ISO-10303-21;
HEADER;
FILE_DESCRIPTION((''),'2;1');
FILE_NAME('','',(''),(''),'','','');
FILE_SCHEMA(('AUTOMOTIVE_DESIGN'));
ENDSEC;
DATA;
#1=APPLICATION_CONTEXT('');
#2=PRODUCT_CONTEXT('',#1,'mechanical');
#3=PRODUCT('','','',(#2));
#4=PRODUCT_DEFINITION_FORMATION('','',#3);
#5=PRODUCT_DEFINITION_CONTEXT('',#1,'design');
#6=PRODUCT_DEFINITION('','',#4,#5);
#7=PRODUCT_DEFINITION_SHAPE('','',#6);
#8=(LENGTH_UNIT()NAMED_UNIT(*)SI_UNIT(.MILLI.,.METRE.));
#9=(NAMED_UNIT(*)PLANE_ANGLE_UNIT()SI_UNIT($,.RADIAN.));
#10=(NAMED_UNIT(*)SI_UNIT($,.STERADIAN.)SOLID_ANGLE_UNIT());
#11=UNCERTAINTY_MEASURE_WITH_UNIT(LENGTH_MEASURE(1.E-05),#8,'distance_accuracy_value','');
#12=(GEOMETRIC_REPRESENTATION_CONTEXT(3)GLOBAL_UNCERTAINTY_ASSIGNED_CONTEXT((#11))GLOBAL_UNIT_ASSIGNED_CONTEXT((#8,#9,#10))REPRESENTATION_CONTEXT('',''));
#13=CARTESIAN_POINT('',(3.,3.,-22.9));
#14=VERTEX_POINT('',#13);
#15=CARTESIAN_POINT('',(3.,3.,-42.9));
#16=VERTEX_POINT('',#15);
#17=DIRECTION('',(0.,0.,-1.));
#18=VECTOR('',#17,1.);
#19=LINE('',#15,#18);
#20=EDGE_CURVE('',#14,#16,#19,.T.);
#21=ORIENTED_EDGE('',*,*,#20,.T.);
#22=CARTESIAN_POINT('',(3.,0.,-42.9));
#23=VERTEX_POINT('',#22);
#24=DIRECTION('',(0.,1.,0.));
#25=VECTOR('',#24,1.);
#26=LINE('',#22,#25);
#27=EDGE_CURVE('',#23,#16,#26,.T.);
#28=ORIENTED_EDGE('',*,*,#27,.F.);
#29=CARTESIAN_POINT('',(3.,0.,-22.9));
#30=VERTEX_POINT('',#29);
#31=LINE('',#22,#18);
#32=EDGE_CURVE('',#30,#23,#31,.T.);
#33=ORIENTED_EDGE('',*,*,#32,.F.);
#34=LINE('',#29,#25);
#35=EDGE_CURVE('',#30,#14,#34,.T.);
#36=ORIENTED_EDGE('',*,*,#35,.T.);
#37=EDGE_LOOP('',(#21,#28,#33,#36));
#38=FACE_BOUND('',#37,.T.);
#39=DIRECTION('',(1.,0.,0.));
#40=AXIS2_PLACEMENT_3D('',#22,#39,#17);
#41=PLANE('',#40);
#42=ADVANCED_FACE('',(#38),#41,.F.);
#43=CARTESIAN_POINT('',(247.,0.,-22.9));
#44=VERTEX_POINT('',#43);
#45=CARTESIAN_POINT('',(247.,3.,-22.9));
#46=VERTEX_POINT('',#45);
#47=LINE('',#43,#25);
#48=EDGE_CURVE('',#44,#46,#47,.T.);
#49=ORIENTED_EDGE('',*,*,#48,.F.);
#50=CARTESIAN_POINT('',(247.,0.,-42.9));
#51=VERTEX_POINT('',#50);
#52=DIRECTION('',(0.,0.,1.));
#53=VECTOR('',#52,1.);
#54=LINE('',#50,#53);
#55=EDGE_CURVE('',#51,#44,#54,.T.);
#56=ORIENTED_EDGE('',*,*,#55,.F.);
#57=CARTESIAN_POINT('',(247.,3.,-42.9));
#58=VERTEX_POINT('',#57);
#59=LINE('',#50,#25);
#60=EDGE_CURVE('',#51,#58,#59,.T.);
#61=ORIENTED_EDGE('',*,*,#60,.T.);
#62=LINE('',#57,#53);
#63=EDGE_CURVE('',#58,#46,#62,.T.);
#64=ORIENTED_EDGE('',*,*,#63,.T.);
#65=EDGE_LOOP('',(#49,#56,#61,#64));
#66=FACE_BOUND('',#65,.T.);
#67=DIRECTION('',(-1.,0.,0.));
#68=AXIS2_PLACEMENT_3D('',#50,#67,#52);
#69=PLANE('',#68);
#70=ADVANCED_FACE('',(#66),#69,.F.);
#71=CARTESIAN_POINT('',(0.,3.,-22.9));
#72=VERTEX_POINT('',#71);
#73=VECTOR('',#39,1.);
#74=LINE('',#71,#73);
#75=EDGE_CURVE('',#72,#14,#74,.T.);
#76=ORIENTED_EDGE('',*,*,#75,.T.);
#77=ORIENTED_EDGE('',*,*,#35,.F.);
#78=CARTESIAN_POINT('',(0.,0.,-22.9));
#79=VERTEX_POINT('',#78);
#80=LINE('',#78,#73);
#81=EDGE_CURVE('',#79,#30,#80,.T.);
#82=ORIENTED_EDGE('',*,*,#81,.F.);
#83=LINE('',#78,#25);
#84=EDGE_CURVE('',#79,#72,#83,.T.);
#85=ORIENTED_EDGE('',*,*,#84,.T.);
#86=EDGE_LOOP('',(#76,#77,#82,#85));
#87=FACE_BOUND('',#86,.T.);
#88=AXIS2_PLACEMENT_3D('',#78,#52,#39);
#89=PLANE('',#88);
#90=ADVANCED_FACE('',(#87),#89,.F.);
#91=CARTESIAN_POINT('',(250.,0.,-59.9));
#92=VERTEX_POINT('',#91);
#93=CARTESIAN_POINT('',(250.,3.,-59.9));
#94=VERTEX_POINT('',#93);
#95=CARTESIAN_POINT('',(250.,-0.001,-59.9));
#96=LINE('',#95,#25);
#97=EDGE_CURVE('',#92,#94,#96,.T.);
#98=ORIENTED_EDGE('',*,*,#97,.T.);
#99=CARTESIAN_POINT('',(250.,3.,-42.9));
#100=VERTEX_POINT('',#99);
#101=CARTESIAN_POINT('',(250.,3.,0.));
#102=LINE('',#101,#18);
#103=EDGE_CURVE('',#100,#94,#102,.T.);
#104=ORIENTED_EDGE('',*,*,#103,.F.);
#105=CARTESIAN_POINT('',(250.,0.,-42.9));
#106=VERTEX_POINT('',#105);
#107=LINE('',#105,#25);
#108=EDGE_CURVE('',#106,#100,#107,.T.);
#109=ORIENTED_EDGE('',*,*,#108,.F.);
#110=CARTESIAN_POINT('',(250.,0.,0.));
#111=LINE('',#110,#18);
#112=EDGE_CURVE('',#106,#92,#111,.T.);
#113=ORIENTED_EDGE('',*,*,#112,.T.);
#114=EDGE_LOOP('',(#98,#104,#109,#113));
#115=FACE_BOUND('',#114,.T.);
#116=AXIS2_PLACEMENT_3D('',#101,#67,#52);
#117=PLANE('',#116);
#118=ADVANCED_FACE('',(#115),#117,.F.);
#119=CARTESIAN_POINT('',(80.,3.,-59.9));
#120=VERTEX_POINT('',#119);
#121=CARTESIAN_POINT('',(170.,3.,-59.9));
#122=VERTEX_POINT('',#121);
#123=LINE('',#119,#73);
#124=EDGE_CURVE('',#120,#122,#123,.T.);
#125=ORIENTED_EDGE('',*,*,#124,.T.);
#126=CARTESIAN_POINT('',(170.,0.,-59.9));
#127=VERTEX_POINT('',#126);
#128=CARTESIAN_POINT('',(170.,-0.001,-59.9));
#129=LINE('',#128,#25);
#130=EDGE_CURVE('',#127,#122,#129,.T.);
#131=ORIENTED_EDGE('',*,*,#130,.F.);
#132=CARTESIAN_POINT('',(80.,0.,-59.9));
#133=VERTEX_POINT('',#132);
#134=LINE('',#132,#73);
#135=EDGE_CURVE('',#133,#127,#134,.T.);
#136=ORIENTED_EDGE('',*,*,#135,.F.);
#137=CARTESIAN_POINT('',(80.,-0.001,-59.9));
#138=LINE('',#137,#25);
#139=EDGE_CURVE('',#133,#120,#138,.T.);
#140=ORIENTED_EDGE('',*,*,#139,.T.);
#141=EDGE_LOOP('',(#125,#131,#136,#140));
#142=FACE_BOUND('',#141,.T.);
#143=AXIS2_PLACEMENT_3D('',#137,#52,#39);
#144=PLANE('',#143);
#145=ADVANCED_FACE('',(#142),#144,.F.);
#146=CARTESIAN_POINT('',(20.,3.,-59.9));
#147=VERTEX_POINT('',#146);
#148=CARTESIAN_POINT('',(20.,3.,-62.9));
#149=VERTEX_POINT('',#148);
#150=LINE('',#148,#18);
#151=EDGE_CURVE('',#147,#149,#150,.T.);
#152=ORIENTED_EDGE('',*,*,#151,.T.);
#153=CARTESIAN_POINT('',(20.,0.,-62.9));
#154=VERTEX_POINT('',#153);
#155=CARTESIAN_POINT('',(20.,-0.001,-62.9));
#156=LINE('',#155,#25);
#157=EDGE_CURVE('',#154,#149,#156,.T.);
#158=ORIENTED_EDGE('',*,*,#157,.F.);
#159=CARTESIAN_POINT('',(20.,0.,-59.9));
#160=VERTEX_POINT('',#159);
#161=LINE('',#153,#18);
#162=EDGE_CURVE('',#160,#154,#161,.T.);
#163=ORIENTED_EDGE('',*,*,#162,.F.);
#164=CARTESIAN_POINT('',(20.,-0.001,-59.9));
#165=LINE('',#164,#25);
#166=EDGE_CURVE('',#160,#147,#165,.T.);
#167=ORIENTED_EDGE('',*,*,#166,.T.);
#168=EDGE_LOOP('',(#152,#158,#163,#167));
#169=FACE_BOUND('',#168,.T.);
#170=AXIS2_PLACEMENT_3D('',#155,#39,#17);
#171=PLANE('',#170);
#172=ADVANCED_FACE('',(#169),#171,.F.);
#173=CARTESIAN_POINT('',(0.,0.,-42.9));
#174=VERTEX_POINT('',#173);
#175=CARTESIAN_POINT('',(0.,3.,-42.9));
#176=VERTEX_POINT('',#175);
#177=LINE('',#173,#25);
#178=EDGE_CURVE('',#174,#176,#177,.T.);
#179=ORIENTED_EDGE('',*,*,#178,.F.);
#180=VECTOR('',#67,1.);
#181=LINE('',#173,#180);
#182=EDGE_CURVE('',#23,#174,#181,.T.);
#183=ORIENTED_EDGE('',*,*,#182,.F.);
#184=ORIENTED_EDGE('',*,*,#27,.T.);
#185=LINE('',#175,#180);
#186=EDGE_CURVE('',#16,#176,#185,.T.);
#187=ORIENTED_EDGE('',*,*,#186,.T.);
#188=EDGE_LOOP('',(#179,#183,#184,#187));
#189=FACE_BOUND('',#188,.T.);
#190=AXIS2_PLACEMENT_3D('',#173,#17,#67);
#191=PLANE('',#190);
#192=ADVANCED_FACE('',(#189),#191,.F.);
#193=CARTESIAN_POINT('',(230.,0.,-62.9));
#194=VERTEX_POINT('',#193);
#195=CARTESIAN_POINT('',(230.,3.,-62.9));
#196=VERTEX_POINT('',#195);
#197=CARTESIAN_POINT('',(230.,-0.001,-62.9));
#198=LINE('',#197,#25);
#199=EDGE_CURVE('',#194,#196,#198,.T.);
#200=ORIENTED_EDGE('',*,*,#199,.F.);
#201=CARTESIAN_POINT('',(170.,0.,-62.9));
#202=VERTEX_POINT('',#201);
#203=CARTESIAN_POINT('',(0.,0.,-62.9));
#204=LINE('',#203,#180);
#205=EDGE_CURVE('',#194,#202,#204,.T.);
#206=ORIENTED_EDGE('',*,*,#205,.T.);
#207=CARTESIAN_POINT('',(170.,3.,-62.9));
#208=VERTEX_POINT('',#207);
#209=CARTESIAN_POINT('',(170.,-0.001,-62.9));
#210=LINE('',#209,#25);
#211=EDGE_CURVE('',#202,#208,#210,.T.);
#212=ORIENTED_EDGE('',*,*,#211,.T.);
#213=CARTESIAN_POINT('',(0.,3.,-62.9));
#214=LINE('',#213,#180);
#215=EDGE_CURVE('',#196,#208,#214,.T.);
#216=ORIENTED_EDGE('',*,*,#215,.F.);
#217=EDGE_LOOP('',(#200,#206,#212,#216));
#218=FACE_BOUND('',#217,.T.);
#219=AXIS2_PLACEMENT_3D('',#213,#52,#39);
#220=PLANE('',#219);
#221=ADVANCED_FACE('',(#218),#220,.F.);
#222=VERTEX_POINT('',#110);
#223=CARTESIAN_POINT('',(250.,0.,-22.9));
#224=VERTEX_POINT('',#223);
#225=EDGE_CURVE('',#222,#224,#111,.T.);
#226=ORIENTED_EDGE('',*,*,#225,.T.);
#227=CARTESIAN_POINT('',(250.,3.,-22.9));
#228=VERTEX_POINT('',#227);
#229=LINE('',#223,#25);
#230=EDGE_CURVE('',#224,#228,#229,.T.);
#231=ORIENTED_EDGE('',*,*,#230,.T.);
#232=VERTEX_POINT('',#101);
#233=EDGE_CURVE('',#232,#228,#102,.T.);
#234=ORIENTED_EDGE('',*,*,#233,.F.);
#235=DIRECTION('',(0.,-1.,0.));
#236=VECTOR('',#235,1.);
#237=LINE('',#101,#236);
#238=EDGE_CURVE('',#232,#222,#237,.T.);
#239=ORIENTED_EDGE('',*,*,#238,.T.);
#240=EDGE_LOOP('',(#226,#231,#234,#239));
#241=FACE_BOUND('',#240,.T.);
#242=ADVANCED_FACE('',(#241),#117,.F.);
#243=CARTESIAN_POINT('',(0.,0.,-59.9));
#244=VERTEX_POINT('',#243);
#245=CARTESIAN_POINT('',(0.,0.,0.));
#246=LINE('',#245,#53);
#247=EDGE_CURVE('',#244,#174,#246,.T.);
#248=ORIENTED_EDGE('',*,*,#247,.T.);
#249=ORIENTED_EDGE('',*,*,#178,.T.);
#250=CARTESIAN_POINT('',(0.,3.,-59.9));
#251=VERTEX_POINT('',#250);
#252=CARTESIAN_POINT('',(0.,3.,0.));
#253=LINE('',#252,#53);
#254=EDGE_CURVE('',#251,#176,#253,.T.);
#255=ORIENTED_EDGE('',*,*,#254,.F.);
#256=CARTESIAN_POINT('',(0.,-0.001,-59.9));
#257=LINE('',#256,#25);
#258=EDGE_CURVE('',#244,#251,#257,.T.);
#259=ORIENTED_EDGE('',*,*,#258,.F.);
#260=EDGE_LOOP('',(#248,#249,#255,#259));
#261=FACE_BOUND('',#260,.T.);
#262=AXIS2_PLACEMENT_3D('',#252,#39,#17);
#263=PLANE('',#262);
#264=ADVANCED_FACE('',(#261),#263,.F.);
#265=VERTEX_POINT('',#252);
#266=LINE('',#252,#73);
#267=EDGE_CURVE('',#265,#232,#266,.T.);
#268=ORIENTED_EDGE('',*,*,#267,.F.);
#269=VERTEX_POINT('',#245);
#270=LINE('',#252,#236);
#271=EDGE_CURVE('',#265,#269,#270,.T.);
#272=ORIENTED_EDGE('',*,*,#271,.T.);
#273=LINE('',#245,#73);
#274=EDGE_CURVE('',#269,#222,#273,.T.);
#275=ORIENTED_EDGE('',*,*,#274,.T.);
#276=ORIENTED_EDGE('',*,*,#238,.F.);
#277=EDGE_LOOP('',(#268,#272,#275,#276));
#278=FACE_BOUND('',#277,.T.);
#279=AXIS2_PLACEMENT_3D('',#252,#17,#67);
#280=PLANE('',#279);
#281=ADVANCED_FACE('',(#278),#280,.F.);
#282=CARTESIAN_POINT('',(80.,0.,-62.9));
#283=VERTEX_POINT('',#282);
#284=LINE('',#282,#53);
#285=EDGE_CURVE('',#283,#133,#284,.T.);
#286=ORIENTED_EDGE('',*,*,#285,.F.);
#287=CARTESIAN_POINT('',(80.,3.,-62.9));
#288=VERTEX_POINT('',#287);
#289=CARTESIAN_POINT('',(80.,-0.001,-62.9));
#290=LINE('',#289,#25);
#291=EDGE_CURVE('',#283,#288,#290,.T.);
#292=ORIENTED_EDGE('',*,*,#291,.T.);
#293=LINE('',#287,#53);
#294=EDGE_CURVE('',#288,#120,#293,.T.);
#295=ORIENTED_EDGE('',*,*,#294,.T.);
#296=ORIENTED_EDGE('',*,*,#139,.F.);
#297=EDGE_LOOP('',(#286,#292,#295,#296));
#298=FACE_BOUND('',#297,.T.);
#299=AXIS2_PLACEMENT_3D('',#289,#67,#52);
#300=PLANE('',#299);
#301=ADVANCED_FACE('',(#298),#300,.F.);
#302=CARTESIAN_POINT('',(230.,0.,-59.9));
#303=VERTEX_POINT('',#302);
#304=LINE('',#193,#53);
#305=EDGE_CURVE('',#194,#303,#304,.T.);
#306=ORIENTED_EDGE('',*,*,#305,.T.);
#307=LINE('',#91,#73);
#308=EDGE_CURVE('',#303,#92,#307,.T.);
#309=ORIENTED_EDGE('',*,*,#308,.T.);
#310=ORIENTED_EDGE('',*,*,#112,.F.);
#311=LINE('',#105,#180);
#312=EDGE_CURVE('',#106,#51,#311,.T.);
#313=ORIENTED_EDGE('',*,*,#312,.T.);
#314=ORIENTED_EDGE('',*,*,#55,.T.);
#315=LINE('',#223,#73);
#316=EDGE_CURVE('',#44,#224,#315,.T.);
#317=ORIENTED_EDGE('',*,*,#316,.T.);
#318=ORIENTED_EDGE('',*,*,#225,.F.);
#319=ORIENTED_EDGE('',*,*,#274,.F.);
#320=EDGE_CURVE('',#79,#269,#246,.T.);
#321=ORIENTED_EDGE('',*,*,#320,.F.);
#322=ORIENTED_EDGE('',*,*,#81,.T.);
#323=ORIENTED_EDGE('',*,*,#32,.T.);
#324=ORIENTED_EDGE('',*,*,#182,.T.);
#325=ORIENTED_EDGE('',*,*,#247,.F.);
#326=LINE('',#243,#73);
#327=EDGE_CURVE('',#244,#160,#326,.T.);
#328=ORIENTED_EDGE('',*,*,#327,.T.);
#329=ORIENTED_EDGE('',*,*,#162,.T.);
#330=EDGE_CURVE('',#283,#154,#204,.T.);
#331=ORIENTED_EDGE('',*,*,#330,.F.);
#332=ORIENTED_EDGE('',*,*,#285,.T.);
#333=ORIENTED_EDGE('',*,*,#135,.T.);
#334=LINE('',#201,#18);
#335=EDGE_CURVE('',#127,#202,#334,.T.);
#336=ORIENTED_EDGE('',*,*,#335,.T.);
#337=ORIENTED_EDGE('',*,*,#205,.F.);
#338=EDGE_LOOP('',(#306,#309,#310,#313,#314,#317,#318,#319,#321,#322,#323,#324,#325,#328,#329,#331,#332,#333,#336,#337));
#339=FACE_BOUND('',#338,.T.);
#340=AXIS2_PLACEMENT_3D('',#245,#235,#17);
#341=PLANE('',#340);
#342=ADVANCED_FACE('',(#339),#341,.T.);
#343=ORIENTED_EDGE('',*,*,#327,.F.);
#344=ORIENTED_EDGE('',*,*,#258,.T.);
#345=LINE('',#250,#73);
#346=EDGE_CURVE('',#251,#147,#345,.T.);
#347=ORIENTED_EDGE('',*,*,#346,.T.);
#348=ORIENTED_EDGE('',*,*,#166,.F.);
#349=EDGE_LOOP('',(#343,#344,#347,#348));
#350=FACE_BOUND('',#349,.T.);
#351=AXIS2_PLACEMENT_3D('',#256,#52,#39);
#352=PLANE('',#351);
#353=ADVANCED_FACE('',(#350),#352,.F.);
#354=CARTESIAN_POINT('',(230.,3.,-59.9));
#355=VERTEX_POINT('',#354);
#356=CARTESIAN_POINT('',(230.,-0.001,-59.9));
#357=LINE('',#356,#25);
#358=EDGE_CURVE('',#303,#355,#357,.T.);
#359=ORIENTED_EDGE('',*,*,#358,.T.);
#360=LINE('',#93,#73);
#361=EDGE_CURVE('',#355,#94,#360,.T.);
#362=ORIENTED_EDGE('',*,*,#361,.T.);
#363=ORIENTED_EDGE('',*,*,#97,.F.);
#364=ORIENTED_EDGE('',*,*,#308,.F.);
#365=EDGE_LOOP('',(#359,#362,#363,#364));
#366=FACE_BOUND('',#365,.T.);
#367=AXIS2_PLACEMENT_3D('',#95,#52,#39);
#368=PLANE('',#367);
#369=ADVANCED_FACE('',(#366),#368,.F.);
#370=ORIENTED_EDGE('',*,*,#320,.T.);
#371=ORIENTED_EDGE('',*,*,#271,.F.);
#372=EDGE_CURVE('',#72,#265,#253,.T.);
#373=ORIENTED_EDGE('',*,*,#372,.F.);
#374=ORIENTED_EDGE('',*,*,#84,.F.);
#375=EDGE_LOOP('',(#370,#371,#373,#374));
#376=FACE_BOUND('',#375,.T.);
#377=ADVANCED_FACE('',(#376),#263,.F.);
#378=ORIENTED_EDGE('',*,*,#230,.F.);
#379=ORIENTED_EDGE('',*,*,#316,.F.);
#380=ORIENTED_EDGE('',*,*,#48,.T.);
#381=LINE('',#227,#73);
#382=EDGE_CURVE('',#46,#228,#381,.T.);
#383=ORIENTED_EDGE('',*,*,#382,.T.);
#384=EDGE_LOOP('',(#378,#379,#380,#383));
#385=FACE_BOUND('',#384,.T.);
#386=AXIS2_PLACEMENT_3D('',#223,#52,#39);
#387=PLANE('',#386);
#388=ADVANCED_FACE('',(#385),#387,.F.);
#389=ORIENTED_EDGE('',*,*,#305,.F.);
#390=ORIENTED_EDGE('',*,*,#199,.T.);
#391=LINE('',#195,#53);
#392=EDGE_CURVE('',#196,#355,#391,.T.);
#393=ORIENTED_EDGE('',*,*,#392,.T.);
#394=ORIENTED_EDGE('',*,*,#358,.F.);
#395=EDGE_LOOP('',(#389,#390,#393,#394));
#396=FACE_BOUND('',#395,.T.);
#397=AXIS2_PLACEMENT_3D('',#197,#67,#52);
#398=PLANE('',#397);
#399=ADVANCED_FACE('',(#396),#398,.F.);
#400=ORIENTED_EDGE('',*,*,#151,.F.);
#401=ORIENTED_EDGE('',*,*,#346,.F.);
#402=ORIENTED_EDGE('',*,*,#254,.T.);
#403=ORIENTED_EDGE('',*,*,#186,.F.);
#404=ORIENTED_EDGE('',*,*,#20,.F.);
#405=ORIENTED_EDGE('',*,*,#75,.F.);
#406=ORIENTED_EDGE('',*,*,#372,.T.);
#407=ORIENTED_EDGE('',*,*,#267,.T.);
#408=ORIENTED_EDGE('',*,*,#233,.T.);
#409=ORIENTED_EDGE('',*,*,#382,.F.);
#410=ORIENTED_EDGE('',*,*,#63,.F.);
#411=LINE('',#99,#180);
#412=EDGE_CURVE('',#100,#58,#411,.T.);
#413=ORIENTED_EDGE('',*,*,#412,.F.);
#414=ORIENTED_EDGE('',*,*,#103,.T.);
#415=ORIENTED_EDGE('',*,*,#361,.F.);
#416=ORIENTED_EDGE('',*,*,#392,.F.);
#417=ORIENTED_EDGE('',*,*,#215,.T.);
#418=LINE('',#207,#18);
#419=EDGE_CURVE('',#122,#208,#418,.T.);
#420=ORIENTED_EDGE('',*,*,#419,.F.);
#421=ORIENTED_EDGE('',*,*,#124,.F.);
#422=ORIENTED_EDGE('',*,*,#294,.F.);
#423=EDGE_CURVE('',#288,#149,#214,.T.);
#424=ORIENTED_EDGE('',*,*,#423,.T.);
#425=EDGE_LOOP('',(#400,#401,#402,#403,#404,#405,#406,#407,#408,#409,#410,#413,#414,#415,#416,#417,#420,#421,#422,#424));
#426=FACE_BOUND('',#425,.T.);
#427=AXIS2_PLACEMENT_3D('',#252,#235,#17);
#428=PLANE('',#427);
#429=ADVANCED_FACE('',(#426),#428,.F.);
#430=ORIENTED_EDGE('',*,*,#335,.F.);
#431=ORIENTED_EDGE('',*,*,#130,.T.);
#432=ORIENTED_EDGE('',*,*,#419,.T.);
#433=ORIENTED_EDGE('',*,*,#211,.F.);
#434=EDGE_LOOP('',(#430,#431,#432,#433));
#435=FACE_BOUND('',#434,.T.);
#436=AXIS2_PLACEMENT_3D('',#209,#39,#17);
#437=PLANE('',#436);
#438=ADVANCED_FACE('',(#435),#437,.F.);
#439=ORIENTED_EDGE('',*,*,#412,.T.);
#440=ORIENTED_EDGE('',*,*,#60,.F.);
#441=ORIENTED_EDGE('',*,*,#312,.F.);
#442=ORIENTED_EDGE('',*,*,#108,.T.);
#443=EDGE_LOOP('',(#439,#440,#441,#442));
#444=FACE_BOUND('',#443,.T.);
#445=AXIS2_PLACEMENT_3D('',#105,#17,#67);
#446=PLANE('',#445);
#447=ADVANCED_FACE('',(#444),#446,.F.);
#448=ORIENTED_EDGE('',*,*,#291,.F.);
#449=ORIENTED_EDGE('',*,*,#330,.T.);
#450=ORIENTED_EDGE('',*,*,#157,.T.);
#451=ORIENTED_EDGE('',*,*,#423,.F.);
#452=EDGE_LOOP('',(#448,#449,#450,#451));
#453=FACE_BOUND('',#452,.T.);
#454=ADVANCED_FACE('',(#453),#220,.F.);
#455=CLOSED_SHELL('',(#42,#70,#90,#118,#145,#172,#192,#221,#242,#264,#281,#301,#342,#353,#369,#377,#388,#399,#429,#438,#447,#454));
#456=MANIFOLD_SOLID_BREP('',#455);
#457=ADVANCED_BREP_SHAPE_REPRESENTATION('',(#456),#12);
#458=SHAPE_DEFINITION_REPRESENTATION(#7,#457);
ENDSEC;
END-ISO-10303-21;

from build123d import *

# Parameters (mm, degrees)
SKETCH1_W           = 250
SKETCH1_H           = 62.9
BOSS_EXTRUDE1_DEPTH = 3
SKETCH3_W           = 3
SKETCH3_H           = 20
CUT_EXTRUDE1_DEPTH  = 258.808863308
CUT_EXTRUDE2_REACH  = 259.809
SKETCH4_W           = 20
SKETCH4_H           = 3
CUT_EXTRUDE3_REACH  = 259.809
SKETCH5_W           = 20
SKETCH5_H           = 3
CUT_EXTRUDE4_REACH  = 259.809
SKETCH6_W           = 90
SKETCH6_H           = 3


with BuildPart() as part:
    # Sketch1 → Boss-Extrude1 (new body)
    with BuildSketch(Plane(origin=(0, 0, 0), x_dir=(1, 0, 0), z_dir=(0, 1, 0))):
        with Locations((125, 31.45)):
            Rectangle(SKETCH1_W, SKETCH1_H)
    extrude(amount=BOSS_EXTRUDE1_DEPTH)

    # Sketch3 → Cut-Extrude1 (cut, through all)
    with BuildSketch(Plane(origin=(0, 3, 0), x_dir=(1, 0, 0), z_dir=(0, 1, 0))):
        with Locations((1.5, 32.9)):
            Rectangle(SKETCH3_W, SKETCH3_H)
        with Locations((248.5, 32.9)):
            Rectangle(SKETCH3_W, SKETCH3_H)
    extrude(amount=-CUT_EXTRUDE1_DEPTH, mode=Mode.SUBTRACT)

    # Sketch4 → Cut-Extrude2 (cut, up to next)
    with BuildSketch(Plane(origin=(0, 3, 0), x_dir=(1, 0, 0), z_dir=(0, 1, 0)), mode=Mode.PRIVATE) as cut_extrude2_sk1:
        with Locations((10, 61.4)):
            Rectangle(SKETCH4_W, SKETCH4_H)
    cut_extrude2_tool1 = extrude(cut_extrude2_sk1.sketch, amount=-CUT_EXTRUDE2_REACH, mode=Mode.PRIVATE) & part.part
    add(cut_extrude2_tool1.solids().sort_by_distance((10, 3, -61.4))[0], mode=Mode.SUBTRACT)

    # Sketch5 → Cut-Extrude3 (cut, up to next)
    with BuildSketch(Plane(origin=(0, 3, 0), x_dir=(1, 0, 0), z_dir=(0, 1, 0)), mode=Mode.PRIVATE) as cut_extrude3_sk1:
        with Locations((240, 61.4)):
            Rectangle(SKETCH5_W, SKETCH5_H)
    cut_extrude3_tool1 = extrude(cut_extrude3_sk1.sketch, amount=-CUT_EXTRUDE3_REACH, mode=Mode.PRIVATE) & part.part
    add(cut_extrude3_tool1.solids().sort_by_distance((240, 3, -61.4))[0], mode=Mode.SUBTRACT)

    # Sketch6 → Cut-Extrude4 (cut, up to next)
    with BuildSketch(Plane(origin=(0, 3, 0), x_dir=(1, 0, 0), z_dir=(0, 1, 0)), mode=Mode.PRIVATE) as cut_extrude4_sk1:
        with Locations((125, 61.4)):
            Rectangle(SKETCH6_W, SKETCH6_H)
    cut_extrude4_tool1 = extrude(cut_extrude4_sk1.sketch, amount=-CUT_EXTRUDE4_REACH, mode=Mode.PRIVATE) & part.part
    add(cut_extrude4_tool1.solids().sort_by_distance((125, 3, -61.4))[0], mode=Mode.SUBTRACT)


solid = part.part
